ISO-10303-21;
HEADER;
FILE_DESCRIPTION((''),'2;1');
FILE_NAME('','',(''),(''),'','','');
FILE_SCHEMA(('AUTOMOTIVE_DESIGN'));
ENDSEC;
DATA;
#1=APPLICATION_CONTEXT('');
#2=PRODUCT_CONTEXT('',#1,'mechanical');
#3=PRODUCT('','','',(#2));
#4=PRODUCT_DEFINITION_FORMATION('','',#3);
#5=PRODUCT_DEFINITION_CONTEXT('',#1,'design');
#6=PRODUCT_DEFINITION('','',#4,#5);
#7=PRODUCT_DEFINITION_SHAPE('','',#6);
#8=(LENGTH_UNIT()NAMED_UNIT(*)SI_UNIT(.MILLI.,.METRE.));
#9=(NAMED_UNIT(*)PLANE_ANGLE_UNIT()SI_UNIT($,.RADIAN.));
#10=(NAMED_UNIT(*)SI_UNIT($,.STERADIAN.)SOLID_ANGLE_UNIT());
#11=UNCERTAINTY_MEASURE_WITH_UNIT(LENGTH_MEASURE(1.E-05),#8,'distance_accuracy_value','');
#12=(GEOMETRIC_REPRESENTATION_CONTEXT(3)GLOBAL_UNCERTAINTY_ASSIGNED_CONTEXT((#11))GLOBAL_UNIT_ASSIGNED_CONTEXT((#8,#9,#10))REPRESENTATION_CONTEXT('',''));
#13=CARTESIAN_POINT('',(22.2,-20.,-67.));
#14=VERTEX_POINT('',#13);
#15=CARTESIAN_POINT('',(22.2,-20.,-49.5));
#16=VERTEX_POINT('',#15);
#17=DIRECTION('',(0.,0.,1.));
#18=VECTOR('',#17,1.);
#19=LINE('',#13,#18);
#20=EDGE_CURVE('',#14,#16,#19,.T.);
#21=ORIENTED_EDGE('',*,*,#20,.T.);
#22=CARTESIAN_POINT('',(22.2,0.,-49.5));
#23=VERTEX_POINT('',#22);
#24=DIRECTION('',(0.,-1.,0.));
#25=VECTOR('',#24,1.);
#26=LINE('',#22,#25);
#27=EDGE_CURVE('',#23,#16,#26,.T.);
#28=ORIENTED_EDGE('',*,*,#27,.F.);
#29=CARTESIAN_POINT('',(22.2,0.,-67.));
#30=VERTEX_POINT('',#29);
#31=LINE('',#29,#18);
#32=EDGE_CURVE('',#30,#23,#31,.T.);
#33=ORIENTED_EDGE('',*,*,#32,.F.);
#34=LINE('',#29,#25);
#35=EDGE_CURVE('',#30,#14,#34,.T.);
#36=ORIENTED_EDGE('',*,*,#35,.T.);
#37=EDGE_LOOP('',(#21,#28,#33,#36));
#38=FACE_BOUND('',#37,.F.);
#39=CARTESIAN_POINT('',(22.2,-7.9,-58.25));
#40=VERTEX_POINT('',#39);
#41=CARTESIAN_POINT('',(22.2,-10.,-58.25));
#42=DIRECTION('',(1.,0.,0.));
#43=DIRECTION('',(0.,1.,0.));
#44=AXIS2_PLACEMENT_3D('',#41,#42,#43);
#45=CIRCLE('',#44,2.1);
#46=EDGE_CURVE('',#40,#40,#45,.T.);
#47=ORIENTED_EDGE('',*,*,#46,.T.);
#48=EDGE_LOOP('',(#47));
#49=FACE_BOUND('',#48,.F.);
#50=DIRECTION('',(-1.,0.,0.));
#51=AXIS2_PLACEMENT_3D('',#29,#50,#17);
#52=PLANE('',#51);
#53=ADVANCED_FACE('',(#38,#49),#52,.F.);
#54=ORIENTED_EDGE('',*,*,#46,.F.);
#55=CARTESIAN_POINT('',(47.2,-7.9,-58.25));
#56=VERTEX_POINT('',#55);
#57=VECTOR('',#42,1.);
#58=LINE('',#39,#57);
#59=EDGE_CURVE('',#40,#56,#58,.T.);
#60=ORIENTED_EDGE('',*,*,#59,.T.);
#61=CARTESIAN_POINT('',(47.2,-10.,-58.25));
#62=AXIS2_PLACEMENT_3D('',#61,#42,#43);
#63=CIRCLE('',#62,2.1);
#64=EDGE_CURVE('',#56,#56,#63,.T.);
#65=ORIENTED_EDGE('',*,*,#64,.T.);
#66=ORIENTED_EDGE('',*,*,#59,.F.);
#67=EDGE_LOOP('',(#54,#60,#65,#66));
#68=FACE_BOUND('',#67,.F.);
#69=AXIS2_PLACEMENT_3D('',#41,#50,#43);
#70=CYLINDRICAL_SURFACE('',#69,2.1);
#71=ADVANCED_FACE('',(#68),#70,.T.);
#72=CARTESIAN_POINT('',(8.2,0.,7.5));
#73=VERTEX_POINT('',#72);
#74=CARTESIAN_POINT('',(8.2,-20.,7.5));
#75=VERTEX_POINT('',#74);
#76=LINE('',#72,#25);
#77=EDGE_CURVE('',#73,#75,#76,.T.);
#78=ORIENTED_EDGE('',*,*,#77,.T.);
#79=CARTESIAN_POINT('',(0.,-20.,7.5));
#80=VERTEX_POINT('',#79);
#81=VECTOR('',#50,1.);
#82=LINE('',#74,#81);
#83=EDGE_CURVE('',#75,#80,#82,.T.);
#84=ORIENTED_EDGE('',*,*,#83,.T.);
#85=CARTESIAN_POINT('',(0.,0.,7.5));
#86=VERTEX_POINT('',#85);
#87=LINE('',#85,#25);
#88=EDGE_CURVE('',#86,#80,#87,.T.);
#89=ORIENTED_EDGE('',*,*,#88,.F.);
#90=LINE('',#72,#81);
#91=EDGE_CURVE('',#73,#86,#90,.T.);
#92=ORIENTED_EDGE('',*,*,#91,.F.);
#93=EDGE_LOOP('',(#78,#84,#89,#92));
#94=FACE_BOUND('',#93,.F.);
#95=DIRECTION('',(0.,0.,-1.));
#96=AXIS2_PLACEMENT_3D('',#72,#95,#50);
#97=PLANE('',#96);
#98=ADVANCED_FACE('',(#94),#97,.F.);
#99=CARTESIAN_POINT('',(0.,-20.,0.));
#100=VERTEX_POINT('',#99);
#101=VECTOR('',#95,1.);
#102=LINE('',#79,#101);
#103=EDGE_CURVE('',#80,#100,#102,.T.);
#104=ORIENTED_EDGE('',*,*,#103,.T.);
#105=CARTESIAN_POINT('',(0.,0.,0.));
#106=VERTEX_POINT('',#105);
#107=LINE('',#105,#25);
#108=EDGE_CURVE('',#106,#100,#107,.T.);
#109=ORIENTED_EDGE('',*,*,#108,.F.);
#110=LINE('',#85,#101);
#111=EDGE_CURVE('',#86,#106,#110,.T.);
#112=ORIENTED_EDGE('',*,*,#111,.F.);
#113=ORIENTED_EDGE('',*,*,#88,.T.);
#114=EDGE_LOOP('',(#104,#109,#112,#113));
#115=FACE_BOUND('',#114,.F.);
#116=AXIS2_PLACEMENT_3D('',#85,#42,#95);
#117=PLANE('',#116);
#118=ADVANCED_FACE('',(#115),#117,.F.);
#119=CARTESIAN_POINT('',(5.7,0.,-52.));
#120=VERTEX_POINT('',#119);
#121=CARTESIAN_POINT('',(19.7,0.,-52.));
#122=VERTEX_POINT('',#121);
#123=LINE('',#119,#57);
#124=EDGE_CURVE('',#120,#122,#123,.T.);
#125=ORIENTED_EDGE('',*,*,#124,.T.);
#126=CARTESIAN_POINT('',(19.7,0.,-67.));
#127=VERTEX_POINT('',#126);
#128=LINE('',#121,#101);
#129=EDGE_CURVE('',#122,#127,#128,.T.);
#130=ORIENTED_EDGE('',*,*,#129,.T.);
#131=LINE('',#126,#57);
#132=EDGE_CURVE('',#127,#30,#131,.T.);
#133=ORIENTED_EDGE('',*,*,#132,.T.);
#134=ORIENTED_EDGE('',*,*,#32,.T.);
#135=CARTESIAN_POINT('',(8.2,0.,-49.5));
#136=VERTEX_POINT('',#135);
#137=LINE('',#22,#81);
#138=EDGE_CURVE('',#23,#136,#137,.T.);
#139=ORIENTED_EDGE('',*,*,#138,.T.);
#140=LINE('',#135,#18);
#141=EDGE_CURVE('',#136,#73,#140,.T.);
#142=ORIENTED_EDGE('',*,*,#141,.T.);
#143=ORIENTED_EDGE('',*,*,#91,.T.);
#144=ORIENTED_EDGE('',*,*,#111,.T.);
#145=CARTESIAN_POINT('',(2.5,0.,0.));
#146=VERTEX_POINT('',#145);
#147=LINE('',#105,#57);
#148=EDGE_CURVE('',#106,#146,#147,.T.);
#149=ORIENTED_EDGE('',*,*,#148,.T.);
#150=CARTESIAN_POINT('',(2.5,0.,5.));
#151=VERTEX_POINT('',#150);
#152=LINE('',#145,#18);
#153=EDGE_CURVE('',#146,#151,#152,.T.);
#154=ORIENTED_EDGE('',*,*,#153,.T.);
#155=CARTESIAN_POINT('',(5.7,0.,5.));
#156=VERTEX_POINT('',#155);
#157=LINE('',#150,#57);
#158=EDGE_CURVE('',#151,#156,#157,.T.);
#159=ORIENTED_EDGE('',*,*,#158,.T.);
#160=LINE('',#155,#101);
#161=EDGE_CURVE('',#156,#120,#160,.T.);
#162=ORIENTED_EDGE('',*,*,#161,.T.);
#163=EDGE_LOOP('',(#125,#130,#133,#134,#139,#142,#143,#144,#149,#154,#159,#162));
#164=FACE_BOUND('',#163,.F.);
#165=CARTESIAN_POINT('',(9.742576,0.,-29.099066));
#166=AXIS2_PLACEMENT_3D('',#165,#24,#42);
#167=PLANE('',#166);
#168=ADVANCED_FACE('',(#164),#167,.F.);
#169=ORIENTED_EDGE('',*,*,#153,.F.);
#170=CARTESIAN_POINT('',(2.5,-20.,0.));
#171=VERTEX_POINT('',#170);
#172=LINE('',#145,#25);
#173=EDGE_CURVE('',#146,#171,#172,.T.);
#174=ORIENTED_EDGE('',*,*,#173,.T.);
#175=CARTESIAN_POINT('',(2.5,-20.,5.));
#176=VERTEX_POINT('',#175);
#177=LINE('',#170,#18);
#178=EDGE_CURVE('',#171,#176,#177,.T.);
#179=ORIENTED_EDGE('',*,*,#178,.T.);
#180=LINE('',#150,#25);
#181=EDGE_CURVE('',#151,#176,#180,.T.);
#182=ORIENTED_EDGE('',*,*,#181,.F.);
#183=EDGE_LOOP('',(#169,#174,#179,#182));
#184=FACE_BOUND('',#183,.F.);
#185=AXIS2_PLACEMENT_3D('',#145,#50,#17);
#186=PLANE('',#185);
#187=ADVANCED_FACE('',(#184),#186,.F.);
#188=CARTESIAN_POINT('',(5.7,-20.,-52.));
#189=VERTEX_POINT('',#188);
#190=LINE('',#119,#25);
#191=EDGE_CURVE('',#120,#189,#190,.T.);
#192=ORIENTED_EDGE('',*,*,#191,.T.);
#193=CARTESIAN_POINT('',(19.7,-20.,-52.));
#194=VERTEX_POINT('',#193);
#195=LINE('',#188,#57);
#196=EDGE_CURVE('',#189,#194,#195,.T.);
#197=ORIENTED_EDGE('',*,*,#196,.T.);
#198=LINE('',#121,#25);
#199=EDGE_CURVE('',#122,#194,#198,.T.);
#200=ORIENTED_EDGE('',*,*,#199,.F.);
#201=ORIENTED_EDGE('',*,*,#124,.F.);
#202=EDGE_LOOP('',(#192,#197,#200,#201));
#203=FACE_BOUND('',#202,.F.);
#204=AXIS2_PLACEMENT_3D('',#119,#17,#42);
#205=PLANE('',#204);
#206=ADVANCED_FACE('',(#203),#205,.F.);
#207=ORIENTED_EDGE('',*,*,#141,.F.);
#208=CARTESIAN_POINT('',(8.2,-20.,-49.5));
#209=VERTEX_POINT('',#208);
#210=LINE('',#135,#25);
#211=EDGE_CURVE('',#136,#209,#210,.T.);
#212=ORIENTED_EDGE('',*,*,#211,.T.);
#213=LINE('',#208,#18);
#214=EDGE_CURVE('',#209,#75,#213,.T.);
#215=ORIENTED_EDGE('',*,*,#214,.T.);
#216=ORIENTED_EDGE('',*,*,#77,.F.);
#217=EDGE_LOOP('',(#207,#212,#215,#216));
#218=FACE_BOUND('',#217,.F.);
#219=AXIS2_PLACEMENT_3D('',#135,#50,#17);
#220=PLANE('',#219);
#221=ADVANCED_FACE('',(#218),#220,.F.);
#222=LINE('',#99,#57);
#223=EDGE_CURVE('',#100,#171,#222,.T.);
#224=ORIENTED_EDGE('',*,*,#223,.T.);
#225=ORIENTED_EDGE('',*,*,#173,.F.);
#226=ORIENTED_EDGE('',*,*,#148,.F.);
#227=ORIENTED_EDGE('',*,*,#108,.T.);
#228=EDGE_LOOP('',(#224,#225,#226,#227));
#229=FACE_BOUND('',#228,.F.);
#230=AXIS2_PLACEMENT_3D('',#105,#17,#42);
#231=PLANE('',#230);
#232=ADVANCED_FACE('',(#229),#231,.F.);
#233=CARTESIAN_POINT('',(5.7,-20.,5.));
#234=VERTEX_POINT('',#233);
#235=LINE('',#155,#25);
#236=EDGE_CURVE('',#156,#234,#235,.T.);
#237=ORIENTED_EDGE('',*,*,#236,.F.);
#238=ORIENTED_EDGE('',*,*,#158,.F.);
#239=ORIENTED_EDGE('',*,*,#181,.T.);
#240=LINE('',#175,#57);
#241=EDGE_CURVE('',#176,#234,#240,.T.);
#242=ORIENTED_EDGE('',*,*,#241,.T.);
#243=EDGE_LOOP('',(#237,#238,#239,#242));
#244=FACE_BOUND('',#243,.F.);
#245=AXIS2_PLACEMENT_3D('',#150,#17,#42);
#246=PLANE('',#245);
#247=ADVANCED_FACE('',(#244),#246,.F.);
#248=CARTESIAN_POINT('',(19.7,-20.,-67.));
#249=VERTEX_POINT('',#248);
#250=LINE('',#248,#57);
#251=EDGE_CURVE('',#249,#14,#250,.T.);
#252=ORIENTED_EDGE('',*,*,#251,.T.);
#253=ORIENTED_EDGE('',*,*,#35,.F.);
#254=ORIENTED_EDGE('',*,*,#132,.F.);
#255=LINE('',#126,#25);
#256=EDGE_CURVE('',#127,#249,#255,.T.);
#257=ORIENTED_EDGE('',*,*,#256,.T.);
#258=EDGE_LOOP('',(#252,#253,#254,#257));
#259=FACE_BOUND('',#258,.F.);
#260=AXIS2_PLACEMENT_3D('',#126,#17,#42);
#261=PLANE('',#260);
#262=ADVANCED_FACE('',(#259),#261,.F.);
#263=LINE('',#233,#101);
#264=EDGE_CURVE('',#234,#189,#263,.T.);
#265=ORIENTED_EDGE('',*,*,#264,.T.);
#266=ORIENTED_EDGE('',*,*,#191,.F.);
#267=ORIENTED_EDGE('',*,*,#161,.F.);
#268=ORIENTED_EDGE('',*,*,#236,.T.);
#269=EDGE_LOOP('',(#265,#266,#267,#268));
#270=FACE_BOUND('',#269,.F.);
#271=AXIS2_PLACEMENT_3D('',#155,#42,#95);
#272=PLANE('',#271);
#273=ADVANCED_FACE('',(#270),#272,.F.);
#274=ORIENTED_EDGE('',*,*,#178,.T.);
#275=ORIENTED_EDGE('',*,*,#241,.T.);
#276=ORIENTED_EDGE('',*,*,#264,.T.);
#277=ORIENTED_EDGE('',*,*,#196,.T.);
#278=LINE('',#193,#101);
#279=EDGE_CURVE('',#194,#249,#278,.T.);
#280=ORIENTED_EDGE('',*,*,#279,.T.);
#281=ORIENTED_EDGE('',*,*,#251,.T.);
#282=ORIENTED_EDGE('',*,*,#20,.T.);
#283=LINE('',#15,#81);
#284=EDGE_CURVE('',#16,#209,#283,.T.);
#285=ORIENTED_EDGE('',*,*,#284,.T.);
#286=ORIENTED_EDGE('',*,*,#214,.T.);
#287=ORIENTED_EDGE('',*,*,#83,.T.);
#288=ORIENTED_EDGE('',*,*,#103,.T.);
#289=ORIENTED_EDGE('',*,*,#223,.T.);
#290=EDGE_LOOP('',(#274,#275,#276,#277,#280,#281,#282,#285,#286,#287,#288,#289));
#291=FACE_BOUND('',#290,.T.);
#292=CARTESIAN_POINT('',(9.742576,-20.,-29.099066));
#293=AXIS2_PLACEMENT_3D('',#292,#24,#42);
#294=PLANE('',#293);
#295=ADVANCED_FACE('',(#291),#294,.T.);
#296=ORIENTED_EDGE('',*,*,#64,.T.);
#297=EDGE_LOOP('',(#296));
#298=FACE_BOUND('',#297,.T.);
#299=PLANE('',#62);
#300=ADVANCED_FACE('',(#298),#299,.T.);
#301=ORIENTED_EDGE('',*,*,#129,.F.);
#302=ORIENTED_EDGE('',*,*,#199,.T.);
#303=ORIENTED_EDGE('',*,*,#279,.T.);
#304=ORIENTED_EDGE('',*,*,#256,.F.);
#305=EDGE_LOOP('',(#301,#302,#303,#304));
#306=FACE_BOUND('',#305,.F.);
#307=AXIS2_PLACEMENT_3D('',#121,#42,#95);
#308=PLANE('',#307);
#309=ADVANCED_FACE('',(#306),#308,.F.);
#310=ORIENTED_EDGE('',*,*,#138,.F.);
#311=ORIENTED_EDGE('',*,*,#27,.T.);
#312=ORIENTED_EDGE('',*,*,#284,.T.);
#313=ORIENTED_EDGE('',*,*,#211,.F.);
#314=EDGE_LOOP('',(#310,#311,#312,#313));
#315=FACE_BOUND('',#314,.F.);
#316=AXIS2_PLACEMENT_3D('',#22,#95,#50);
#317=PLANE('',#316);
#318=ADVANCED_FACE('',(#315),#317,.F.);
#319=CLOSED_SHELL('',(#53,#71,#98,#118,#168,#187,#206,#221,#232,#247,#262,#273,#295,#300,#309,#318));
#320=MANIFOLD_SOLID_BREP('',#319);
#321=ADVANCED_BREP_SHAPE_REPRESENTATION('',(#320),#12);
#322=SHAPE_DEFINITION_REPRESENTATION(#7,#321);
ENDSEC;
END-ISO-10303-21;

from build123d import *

# Parameters (mm, degrees)
F1_DEPTH = 20
F2_R     = 2.1
F3_DEPTH = 25


with BuildPart() as f1:
    # F0 (on Front) → F1 (new body)
    with BuildSketch(Plane.XZ):
        Polygon((0, 7.5), (0, 0), (2.5, 0), (2.5, 5), (5.7, 5), (5.7, -52), (19.7, -52), (19.7, -67), (22.2, -67), (22.2, -49.5), (8.2, -49.5), (8.2, 7.5), align=None)
    extrude(amount=F1_DEPTH)

    # F2 (on face) → F3 (join)
    with BuildSketch(Plane.YZ.offset(22.2)):
        with Locations((-10, -58.25)):
            Circle(F2_R)
    extrude(amount=F3_DEPTH)


solid = f1.part
